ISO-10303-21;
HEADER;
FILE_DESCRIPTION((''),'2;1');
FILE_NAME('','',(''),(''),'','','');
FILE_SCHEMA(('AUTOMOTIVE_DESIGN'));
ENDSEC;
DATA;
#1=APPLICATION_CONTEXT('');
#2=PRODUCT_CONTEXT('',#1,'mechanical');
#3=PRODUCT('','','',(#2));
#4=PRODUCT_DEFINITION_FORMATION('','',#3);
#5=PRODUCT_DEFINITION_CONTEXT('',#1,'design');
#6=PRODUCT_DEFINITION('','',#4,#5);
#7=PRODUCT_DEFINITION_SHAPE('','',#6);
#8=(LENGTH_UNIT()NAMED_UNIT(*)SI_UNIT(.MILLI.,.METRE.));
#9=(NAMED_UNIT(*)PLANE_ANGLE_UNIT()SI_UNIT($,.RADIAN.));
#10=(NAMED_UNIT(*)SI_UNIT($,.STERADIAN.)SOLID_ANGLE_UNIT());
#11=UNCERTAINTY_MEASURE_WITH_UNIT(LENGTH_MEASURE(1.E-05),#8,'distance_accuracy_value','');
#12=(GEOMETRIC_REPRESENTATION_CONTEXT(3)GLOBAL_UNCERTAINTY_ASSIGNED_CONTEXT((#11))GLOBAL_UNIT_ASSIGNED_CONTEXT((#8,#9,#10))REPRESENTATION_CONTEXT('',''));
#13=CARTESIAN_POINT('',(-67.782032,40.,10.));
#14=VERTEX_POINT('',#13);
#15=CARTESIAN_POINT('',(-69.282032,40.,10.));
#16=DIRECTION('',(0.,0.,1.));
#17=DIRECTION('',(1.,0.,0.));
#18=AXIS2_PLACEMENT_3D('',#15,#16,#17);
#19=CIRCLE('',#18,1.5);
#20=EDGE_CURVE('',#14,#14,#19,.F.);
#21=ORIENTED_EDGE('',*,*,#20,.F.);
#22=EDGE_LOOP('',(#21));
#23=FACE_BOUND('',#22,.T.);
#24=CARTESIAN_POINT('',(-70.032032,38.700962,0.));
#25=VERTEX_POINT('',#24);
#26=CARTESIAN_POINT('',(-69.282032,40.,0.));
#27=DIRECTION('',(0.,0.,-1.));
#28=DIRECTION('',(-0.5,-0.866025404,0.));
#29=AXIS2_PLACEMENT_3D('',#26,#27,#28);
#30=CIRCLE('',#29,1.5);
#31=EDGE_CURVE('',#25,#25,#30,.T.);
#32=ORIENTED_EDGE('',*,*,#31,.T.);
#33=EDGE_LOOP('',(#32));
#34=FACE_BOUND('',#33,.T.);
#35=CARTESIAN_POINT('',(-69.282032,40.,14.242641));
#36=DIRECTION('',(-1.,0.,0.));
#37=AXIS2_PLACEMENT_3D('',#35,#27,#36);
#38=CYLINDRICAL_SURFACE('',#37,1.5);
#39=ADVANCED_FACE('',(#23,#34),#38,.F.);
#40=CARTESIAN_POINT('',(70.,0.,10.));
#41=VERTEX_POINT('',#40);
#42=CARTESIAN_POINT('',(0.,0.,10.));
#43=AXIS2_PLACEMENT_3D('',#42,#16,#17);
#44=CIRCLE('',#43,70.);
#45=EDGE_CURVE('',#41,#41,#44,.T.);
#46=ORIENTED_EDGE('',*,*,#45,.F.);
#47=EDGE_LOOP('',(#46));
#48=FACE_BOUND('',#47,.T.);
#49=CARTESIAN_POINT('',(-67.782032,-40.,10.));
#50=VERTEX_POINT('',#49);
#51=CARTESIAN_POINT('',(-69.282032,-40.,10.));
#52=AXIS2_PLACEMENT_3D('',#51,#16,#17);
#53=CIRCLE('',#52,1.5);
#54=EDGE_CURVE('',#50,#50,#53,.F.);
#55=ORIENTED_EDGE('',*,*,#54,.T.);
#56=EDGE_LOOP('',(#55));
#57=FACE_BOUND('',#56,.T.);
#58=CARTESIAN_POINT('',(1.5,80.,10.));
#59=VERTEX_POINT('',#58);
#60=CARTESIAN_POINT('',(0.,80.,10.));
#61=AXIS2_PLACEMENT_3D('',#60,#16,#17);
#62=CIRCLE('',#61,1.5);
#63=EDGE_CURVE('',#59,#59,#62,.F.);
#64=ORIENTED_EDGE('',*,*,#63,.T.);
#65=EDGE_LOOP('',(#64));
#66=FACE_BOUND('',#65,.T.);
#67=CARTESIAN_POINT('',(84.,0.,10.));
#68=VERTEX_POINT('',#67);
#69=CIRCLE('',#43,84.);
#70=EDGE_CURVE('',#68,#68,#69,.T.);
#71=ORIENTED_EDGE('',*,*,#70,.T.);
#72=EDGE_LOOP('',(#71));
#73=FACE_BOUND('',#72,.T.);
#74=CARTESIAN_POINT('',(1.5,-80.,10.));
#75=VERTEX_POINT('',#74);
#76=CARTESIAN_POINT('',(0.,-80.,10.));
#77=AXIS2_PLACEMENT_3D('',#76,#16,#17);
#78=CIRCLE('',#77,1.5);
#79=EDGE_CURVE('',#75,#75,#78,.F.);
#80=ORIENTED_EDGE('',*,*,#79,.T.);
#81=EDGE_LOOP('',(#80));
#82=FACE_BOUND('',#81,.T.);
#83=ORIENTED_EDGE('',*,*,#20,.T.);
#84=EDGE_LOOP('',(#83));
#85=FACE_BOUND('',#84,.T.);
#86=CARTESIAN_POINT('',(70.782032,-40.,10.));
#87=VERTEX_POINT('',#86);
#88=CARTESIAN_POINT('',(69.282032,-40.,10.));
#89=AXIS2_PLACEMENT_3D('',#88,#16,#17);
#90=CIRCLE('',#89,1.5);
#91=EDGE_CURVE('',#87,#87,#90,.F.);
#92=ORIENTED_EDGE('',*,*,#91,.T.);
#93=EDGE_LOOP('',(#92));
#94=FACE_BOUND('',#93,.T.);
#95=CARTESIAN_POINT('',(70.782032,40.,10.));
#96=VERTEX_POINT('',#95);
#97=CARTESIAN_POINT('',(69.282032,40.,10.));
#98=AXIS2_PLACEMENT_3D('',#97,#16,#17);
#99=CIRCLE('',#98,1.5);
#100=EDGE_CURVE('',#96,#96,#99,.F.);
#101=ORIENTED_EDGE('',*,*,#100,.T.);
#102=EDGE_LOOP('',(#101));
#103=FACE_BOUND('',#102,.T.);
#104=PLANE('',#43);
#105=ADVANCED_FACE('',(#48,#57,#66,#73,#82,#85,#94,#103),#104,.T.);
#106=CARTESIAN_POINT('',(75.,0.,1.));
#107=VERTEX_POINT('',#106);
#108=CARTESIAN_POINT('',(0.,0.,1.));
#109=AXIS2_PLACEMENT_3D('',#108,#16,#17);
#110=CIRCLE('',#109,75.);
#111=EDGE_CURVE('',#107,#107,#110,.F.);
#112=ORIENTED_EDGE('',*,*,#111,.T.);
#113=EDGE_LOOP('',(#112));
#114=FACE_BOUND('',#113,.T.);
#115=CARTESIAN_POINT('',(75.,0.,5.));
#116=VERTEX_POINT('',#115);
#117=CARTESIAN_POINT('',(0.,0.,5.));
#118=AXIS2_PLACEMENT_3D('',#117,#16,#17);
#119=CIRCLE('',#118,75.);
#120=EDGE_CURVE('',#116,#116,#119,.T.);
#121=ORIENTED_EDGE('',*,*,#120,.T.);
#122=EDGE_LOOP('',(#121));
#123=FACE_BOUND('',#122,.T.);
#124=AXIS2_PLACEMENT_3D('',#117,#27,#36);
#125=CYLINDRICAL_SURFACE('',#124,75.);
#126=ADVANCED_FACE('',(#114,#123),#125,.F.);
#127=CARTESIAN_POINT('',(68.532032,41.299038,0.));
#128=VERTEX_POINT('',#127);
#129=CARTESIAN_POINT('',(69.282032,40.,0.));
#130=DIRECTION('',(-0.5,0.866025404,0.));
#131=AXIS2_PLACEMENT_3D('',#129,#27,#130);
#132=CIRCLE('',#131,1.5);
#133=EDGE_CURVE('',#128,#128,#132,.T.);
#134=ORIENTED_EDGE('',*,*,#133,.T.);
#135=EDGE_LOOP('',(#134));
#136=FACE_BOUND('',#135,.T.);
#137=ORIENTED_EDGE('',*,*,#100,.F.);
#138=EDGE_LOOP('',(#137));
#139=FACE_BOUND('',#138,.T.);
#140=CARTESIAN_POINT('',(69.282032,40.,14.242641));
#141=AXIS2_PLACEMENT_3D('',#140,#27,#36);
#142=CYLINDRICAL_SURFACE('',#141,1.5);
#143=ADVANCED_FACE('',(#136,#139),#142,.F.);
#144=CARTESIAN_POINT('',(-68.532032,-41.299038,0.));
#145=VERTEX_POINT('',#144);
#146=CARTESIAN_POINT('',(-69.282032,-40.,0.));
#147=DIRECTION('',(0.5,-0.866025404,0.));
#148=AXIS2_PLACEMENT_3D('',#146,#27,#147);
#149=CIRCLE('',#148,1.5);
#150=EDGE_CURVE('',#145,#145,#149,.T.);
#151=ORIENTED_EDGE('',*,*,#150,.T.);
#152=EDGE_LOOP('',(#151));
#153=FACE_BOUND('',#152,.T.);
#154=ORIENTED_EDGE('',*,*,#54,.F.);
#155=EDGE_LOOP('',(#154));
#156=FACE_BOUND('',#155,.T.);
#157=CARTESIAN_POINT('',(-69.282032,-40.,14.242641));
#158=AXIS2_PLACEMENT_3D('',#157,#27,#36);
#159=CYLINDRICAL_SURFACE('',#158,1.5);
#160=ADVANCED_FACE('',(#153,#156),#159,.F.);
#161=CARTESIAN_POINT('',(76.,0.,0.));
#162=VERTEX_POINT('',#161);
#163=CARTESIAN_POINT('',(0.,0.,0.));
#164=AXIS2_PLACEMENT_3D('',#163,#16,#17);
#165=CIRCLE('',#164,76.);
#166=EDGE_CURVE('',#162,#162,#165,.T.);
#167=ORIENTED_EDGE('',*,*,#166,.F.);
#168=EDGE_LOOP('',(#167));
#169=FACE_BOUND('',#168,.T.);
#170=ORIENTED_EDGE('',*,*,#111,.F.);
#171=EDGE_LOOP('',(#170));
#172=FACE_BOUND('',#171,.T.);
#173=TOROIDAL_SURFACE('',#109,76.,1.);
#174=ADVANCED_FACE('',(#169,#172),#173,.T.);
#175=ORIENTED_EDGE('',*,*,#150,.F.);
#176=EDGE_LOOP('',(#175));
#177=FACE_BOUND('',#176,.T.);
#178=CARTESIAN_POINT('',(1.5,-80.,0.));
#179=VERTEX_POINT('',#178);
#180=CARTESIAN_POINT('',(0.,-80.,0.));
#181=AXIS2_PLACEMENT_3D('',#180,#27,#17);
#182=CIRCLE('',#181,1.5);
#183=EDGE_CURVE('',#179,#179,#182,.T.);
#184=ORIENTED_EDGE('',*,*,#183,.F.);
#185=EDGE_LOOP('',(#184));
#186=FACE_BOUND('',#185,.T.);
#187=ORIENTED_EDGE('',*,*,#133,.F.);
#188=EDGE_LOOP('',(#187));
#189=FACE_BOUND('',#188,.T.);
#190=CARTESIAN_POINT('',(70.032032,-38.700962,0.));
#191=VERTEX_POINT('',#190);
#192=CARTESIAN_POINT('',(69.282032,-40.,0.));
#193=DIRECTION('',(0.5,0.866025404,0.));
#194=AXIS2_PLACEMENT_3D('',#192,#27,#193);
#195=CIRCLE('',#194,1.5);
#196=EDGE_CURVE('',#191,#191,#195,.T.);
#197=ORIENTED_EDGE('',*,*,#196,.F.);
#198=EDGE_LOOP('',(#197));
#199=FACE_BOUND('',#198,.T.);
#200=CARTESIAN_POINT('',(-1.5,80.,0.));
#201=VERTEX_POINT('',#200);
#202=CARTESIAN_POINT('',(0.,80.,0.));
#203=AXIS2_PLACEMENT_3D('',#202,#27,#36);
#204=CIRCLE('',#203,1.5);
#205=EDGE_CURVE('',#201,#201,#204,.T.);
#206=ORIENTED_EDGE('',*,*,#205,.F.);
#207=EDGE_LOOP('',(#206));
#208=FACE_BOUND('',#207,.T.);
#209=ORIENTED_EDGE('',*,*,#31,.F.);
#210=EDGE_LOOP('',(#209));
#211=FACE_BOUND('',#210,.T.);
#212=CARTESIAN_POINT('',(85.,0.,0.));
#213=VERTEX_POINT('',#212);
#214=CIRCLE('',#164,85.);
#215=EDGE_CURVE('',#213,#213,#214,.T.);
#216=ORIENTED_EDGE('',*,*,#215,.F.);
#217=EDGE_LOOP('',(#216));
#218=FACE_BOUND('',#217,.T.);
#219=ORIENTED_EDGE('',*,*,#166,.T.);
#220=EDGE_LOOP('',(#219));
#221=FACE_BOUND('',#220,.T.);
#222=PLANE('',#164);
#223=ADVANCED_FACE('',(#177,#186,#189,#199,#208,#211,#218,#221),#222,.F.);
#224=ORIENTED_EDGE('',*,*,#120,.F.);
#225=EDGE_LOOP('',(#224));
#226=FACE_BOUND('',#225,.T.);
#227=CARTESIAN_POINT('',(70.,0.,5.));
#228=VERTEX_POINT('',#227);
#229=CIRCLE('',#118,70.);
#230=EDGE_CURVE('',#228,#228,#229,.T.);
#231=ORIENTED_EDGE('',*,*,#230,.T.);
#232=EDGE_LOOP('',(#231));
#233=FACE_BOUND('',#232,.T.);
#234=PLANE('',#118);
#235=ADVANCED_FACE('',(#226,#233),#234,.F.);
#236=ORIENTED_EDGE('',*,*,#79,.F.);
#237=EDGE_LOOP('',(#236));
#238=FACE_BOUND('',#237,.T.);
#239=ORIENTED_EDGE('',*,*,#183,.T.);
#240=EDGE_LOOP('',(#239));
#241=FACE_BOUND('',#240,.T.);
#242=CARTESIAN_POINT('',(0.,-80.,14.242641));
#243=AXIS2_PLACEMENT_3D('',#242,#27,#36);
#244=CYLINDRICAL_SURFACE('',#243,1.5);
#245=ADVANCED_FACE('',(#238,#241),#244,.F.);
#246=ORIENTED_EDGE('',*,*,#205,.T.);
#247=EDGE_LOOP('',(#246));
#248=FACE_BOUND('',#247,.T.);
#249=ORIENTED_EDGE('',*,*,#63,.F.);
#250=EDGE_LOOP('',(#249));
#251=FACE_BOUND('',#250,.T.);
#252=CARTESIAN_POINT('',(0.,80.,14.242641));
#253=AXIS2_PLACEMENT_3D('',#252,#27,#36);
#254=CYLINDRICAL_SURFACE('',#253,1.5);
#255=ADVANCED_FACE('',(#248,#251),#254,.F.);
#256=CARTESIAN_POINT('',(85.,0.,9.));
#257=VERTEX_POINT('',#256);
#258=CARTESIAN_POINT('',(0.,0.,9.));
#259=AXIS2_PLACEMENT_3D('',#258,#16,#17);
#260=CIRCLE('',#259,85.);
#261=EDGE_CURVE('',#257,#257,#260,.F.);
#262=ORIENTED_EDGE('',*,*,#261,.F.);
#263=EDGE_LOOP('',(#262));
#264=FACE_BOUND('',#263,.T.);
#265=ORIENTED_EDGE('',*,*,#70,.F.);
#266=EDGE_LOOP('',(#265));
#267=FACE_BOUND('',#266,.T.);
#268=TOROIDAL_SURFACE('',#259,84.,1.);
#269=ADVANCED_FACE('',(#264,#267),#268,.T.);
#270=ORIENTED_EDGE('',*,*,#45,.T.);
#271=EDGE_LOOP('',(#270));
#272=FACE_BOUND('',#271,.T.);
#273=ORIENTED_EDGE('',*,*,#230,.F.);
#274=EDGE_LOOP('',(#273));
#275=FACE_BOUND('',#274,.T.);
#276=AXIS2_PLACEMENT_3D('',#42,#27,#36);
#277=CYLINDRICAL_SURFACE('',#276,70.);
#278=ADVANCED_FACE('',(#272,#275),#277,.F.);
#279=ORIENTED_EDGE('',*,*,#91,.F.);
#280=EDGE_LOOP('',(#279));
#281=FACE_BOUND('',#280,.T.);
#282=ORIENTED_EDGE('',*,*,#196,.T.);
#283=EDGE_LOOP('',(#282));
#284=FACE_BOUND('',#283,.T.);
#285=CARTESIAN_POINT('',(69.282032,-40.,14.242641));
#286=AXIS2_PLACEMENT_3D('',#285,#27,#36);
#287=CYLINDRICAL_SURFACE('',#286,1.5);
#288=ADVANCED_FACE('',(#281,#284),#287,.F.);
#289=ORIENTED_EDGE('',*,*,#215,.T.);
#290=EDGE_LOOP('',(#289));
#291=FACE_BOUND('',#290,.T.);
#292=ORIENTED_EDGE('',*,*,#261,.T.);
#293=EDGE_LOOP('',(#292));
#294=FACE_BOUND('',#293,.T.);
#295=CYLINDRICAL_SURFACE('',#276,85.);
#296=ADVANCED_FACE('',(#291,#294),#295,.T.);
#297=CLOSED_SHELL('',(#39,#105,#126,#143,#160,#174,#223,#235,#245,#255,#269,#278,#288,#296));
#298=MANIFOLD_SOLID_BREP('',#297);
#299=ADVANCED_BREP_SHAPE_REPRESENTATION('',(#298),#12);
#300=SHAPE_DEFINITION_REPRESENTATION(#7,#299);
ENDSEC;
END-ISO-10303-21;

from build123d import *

# Parameters (mm, degrees)
SKETCH1_R           = 85
SKETCH1_R_2         = 70
BOSS_EXTRUDE1_DEPTH = 10
SKETCH2_R           = 75
CUT_EXTRUDE2_DEPTH  = 5
SKETCH3_R           = 1.5
CUT_EXTRUDE3_DEPTH  = 10
CIRPATTERN1_COUNT   = 6
FILLET1_R           = 1


with BuildPart() as part:
    # Sketch1 → Boss-Extrude1 (new body)
    with BuildSketch(Plane.XY):
        Circle(SKETCH1_R)
        Circle(SKETCH1_R_2, mode=Mode.SUBTRACT)
    extrude(amount=BOSS_EXTRUDE1_DEPTH)

    # Sketch2 → Cut-Extrude2 (cut)
    with BuildSketch(Plane.XY):
        Circle(SKETCH2_R)
    extrude(amount=CUT_EXTRUDE2_DEPTH, mode=Mode.SUBTRACT)

    # Sketch3 → Cut-Extrude3 (cut)
    with BuildSketch(Plane(origin=(0, 0, 0), x_dir=(-1, 0, 0), z_dir=(0, 0, -1))):
        with Locations((0, 80)):
            Circle(SKETCH3_R)
    cut_extrude3 = extrude(amount=-CUT_EXTRUDE3_DEPTH, mode=Mode.SUBTRACT)

    # CirPattern1: Cut-Extrude3 ×6 about axis
    cirpattern1_axis = Axis((0, 0, 0), (0, 0, 1))
    for i in range(1, CIRPATTERN1_COUNT):
        add(cut_extrude3.rotate(cirpattern1_axis, i * 360 / CIRPATTERN1_COUNT), mode=Mode.SUBTRACT)

    # Fillet1
    fillet1_edges = [part.edges().sort_by_distance(p)[0] for p in [
        (-75, 0, 0),
        (-85, 0, 10),
    ]]
    fillet(fillet1_edges, radius=FILLET1_R)


solid = part.part
